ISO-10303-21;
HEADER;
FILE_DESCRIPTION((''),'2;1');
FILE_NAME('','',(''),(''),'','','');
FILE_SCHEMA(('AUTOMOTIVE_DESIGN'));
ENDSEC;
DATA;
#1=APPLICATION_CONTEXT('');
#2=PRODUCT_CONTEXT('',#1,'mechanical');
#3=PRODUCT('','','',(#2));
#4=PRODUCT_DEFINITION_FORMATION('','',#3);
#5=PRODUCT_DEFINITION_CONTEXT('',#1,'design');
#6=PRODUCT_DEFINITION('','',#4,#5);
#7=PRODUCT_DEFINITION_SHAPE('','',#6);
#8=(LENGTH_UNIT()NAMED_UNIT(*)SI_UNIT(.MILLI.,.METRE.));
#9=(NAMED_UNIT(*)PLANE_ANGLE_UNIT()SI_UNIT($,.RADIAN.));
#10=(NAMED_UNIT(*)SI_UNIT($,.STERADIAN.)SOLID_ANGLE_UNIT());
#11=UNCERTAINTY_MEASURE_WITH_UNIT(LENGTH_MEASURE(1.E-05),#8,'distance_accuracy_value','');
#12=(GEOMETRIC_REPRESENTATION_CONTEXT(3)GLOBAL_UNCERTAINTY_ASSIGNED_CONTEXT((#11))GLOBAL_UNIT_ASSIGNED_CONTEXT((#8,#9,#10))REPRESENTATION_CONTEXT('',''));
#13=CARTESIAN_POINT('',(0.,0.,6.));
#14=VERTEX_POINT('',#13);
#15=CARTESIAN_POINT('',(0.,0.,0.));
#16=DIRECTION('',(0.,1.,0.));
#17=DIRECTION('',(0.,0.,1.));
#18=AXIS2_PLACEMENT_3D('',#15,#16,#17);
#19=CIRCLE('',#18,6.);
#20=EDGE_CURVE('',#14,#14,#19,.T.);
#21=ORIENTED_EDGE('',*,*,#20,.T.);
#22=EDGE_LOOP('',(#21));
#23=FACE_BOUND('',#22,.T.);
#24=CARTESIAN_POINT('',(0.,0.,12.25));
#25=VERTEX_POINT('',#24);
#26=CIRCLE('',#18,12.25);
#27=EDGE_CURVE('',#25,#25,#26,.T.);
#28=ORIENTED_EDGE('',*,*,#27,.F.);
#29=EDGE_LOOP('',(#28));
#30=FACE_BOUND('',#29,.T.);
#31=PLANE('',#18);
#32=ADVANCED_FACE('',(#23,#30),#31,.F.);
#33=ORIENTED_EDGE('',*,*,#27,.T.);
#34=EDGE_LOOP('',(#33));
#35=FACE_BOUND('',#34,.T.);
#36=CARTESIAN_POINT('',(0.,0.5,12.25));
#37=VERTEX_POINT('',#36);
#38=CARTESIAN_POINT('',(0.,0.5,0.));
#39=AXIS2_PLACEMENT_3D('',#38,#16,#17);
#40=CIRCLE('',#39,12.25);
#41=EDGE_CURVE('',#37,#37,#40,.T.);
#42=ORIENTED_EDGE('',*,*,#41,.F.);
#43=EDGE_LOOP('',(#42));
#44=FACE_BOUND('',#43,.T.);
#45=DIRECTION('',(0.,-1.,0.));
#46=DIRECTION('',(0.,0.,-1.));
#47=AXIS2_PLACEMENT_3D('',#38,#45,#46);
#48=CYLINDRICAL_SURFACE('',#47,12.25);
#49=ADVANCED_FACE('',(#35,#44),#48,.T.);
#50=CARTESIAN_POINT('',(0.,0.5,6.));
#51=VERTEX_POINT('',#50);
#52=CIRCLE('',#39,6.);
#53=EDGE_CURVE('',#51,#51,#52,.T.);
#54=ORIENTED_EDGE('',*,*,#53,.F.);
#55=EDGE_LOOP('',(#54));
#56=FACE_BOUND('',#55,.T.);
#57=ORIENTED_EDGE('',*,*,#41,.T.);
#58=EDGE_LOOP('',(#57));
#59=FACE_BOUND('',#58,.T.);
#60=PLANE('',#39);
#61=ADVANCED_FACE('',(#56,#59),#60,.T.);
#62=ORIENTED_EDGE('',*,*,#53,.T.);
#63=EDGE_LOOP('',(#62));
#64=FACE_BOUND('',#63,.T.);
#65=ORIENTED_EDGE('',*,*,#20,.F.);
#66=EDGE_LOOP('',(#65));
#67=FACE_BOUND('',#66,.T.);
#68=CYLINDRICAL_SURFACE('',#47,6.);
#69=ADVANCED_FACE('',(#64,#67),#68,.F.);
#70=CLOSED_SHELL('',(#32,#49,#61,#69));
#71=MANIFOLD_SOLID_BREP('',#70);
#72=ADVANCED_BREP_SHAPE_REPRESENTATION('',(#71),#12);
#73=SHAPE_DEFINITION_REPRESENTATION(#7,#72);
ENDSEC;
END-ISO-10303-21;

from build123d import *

# Parameters (mm, degrees)
SKETCH1_R           = 12.25
SKETCH1_R_2         = 6
BOSS_EXTRUDE1_DEPTH = 0.5


with BuildPart() as part:
    # Sketch1 → Boss-Extrude1 (new body)
    with BuildSketch(Plane(origin=(0, 0, 0), x_dir=(1, 0, 0), z_dir=(0, 1, 0))):
        with Locations(Location((0, 0, 0), (0, 0, 270))):
            Circle(SKETCH1_R)
        with Locations(Location((0, 0, 0), (0, 0, 270))):
            Circle(SKETCH1_R_2, mode=Mode.SUBTRACT)
    extrude(amount=BOSS_EXTRUDE1_DEPTH)


solid = part.part
